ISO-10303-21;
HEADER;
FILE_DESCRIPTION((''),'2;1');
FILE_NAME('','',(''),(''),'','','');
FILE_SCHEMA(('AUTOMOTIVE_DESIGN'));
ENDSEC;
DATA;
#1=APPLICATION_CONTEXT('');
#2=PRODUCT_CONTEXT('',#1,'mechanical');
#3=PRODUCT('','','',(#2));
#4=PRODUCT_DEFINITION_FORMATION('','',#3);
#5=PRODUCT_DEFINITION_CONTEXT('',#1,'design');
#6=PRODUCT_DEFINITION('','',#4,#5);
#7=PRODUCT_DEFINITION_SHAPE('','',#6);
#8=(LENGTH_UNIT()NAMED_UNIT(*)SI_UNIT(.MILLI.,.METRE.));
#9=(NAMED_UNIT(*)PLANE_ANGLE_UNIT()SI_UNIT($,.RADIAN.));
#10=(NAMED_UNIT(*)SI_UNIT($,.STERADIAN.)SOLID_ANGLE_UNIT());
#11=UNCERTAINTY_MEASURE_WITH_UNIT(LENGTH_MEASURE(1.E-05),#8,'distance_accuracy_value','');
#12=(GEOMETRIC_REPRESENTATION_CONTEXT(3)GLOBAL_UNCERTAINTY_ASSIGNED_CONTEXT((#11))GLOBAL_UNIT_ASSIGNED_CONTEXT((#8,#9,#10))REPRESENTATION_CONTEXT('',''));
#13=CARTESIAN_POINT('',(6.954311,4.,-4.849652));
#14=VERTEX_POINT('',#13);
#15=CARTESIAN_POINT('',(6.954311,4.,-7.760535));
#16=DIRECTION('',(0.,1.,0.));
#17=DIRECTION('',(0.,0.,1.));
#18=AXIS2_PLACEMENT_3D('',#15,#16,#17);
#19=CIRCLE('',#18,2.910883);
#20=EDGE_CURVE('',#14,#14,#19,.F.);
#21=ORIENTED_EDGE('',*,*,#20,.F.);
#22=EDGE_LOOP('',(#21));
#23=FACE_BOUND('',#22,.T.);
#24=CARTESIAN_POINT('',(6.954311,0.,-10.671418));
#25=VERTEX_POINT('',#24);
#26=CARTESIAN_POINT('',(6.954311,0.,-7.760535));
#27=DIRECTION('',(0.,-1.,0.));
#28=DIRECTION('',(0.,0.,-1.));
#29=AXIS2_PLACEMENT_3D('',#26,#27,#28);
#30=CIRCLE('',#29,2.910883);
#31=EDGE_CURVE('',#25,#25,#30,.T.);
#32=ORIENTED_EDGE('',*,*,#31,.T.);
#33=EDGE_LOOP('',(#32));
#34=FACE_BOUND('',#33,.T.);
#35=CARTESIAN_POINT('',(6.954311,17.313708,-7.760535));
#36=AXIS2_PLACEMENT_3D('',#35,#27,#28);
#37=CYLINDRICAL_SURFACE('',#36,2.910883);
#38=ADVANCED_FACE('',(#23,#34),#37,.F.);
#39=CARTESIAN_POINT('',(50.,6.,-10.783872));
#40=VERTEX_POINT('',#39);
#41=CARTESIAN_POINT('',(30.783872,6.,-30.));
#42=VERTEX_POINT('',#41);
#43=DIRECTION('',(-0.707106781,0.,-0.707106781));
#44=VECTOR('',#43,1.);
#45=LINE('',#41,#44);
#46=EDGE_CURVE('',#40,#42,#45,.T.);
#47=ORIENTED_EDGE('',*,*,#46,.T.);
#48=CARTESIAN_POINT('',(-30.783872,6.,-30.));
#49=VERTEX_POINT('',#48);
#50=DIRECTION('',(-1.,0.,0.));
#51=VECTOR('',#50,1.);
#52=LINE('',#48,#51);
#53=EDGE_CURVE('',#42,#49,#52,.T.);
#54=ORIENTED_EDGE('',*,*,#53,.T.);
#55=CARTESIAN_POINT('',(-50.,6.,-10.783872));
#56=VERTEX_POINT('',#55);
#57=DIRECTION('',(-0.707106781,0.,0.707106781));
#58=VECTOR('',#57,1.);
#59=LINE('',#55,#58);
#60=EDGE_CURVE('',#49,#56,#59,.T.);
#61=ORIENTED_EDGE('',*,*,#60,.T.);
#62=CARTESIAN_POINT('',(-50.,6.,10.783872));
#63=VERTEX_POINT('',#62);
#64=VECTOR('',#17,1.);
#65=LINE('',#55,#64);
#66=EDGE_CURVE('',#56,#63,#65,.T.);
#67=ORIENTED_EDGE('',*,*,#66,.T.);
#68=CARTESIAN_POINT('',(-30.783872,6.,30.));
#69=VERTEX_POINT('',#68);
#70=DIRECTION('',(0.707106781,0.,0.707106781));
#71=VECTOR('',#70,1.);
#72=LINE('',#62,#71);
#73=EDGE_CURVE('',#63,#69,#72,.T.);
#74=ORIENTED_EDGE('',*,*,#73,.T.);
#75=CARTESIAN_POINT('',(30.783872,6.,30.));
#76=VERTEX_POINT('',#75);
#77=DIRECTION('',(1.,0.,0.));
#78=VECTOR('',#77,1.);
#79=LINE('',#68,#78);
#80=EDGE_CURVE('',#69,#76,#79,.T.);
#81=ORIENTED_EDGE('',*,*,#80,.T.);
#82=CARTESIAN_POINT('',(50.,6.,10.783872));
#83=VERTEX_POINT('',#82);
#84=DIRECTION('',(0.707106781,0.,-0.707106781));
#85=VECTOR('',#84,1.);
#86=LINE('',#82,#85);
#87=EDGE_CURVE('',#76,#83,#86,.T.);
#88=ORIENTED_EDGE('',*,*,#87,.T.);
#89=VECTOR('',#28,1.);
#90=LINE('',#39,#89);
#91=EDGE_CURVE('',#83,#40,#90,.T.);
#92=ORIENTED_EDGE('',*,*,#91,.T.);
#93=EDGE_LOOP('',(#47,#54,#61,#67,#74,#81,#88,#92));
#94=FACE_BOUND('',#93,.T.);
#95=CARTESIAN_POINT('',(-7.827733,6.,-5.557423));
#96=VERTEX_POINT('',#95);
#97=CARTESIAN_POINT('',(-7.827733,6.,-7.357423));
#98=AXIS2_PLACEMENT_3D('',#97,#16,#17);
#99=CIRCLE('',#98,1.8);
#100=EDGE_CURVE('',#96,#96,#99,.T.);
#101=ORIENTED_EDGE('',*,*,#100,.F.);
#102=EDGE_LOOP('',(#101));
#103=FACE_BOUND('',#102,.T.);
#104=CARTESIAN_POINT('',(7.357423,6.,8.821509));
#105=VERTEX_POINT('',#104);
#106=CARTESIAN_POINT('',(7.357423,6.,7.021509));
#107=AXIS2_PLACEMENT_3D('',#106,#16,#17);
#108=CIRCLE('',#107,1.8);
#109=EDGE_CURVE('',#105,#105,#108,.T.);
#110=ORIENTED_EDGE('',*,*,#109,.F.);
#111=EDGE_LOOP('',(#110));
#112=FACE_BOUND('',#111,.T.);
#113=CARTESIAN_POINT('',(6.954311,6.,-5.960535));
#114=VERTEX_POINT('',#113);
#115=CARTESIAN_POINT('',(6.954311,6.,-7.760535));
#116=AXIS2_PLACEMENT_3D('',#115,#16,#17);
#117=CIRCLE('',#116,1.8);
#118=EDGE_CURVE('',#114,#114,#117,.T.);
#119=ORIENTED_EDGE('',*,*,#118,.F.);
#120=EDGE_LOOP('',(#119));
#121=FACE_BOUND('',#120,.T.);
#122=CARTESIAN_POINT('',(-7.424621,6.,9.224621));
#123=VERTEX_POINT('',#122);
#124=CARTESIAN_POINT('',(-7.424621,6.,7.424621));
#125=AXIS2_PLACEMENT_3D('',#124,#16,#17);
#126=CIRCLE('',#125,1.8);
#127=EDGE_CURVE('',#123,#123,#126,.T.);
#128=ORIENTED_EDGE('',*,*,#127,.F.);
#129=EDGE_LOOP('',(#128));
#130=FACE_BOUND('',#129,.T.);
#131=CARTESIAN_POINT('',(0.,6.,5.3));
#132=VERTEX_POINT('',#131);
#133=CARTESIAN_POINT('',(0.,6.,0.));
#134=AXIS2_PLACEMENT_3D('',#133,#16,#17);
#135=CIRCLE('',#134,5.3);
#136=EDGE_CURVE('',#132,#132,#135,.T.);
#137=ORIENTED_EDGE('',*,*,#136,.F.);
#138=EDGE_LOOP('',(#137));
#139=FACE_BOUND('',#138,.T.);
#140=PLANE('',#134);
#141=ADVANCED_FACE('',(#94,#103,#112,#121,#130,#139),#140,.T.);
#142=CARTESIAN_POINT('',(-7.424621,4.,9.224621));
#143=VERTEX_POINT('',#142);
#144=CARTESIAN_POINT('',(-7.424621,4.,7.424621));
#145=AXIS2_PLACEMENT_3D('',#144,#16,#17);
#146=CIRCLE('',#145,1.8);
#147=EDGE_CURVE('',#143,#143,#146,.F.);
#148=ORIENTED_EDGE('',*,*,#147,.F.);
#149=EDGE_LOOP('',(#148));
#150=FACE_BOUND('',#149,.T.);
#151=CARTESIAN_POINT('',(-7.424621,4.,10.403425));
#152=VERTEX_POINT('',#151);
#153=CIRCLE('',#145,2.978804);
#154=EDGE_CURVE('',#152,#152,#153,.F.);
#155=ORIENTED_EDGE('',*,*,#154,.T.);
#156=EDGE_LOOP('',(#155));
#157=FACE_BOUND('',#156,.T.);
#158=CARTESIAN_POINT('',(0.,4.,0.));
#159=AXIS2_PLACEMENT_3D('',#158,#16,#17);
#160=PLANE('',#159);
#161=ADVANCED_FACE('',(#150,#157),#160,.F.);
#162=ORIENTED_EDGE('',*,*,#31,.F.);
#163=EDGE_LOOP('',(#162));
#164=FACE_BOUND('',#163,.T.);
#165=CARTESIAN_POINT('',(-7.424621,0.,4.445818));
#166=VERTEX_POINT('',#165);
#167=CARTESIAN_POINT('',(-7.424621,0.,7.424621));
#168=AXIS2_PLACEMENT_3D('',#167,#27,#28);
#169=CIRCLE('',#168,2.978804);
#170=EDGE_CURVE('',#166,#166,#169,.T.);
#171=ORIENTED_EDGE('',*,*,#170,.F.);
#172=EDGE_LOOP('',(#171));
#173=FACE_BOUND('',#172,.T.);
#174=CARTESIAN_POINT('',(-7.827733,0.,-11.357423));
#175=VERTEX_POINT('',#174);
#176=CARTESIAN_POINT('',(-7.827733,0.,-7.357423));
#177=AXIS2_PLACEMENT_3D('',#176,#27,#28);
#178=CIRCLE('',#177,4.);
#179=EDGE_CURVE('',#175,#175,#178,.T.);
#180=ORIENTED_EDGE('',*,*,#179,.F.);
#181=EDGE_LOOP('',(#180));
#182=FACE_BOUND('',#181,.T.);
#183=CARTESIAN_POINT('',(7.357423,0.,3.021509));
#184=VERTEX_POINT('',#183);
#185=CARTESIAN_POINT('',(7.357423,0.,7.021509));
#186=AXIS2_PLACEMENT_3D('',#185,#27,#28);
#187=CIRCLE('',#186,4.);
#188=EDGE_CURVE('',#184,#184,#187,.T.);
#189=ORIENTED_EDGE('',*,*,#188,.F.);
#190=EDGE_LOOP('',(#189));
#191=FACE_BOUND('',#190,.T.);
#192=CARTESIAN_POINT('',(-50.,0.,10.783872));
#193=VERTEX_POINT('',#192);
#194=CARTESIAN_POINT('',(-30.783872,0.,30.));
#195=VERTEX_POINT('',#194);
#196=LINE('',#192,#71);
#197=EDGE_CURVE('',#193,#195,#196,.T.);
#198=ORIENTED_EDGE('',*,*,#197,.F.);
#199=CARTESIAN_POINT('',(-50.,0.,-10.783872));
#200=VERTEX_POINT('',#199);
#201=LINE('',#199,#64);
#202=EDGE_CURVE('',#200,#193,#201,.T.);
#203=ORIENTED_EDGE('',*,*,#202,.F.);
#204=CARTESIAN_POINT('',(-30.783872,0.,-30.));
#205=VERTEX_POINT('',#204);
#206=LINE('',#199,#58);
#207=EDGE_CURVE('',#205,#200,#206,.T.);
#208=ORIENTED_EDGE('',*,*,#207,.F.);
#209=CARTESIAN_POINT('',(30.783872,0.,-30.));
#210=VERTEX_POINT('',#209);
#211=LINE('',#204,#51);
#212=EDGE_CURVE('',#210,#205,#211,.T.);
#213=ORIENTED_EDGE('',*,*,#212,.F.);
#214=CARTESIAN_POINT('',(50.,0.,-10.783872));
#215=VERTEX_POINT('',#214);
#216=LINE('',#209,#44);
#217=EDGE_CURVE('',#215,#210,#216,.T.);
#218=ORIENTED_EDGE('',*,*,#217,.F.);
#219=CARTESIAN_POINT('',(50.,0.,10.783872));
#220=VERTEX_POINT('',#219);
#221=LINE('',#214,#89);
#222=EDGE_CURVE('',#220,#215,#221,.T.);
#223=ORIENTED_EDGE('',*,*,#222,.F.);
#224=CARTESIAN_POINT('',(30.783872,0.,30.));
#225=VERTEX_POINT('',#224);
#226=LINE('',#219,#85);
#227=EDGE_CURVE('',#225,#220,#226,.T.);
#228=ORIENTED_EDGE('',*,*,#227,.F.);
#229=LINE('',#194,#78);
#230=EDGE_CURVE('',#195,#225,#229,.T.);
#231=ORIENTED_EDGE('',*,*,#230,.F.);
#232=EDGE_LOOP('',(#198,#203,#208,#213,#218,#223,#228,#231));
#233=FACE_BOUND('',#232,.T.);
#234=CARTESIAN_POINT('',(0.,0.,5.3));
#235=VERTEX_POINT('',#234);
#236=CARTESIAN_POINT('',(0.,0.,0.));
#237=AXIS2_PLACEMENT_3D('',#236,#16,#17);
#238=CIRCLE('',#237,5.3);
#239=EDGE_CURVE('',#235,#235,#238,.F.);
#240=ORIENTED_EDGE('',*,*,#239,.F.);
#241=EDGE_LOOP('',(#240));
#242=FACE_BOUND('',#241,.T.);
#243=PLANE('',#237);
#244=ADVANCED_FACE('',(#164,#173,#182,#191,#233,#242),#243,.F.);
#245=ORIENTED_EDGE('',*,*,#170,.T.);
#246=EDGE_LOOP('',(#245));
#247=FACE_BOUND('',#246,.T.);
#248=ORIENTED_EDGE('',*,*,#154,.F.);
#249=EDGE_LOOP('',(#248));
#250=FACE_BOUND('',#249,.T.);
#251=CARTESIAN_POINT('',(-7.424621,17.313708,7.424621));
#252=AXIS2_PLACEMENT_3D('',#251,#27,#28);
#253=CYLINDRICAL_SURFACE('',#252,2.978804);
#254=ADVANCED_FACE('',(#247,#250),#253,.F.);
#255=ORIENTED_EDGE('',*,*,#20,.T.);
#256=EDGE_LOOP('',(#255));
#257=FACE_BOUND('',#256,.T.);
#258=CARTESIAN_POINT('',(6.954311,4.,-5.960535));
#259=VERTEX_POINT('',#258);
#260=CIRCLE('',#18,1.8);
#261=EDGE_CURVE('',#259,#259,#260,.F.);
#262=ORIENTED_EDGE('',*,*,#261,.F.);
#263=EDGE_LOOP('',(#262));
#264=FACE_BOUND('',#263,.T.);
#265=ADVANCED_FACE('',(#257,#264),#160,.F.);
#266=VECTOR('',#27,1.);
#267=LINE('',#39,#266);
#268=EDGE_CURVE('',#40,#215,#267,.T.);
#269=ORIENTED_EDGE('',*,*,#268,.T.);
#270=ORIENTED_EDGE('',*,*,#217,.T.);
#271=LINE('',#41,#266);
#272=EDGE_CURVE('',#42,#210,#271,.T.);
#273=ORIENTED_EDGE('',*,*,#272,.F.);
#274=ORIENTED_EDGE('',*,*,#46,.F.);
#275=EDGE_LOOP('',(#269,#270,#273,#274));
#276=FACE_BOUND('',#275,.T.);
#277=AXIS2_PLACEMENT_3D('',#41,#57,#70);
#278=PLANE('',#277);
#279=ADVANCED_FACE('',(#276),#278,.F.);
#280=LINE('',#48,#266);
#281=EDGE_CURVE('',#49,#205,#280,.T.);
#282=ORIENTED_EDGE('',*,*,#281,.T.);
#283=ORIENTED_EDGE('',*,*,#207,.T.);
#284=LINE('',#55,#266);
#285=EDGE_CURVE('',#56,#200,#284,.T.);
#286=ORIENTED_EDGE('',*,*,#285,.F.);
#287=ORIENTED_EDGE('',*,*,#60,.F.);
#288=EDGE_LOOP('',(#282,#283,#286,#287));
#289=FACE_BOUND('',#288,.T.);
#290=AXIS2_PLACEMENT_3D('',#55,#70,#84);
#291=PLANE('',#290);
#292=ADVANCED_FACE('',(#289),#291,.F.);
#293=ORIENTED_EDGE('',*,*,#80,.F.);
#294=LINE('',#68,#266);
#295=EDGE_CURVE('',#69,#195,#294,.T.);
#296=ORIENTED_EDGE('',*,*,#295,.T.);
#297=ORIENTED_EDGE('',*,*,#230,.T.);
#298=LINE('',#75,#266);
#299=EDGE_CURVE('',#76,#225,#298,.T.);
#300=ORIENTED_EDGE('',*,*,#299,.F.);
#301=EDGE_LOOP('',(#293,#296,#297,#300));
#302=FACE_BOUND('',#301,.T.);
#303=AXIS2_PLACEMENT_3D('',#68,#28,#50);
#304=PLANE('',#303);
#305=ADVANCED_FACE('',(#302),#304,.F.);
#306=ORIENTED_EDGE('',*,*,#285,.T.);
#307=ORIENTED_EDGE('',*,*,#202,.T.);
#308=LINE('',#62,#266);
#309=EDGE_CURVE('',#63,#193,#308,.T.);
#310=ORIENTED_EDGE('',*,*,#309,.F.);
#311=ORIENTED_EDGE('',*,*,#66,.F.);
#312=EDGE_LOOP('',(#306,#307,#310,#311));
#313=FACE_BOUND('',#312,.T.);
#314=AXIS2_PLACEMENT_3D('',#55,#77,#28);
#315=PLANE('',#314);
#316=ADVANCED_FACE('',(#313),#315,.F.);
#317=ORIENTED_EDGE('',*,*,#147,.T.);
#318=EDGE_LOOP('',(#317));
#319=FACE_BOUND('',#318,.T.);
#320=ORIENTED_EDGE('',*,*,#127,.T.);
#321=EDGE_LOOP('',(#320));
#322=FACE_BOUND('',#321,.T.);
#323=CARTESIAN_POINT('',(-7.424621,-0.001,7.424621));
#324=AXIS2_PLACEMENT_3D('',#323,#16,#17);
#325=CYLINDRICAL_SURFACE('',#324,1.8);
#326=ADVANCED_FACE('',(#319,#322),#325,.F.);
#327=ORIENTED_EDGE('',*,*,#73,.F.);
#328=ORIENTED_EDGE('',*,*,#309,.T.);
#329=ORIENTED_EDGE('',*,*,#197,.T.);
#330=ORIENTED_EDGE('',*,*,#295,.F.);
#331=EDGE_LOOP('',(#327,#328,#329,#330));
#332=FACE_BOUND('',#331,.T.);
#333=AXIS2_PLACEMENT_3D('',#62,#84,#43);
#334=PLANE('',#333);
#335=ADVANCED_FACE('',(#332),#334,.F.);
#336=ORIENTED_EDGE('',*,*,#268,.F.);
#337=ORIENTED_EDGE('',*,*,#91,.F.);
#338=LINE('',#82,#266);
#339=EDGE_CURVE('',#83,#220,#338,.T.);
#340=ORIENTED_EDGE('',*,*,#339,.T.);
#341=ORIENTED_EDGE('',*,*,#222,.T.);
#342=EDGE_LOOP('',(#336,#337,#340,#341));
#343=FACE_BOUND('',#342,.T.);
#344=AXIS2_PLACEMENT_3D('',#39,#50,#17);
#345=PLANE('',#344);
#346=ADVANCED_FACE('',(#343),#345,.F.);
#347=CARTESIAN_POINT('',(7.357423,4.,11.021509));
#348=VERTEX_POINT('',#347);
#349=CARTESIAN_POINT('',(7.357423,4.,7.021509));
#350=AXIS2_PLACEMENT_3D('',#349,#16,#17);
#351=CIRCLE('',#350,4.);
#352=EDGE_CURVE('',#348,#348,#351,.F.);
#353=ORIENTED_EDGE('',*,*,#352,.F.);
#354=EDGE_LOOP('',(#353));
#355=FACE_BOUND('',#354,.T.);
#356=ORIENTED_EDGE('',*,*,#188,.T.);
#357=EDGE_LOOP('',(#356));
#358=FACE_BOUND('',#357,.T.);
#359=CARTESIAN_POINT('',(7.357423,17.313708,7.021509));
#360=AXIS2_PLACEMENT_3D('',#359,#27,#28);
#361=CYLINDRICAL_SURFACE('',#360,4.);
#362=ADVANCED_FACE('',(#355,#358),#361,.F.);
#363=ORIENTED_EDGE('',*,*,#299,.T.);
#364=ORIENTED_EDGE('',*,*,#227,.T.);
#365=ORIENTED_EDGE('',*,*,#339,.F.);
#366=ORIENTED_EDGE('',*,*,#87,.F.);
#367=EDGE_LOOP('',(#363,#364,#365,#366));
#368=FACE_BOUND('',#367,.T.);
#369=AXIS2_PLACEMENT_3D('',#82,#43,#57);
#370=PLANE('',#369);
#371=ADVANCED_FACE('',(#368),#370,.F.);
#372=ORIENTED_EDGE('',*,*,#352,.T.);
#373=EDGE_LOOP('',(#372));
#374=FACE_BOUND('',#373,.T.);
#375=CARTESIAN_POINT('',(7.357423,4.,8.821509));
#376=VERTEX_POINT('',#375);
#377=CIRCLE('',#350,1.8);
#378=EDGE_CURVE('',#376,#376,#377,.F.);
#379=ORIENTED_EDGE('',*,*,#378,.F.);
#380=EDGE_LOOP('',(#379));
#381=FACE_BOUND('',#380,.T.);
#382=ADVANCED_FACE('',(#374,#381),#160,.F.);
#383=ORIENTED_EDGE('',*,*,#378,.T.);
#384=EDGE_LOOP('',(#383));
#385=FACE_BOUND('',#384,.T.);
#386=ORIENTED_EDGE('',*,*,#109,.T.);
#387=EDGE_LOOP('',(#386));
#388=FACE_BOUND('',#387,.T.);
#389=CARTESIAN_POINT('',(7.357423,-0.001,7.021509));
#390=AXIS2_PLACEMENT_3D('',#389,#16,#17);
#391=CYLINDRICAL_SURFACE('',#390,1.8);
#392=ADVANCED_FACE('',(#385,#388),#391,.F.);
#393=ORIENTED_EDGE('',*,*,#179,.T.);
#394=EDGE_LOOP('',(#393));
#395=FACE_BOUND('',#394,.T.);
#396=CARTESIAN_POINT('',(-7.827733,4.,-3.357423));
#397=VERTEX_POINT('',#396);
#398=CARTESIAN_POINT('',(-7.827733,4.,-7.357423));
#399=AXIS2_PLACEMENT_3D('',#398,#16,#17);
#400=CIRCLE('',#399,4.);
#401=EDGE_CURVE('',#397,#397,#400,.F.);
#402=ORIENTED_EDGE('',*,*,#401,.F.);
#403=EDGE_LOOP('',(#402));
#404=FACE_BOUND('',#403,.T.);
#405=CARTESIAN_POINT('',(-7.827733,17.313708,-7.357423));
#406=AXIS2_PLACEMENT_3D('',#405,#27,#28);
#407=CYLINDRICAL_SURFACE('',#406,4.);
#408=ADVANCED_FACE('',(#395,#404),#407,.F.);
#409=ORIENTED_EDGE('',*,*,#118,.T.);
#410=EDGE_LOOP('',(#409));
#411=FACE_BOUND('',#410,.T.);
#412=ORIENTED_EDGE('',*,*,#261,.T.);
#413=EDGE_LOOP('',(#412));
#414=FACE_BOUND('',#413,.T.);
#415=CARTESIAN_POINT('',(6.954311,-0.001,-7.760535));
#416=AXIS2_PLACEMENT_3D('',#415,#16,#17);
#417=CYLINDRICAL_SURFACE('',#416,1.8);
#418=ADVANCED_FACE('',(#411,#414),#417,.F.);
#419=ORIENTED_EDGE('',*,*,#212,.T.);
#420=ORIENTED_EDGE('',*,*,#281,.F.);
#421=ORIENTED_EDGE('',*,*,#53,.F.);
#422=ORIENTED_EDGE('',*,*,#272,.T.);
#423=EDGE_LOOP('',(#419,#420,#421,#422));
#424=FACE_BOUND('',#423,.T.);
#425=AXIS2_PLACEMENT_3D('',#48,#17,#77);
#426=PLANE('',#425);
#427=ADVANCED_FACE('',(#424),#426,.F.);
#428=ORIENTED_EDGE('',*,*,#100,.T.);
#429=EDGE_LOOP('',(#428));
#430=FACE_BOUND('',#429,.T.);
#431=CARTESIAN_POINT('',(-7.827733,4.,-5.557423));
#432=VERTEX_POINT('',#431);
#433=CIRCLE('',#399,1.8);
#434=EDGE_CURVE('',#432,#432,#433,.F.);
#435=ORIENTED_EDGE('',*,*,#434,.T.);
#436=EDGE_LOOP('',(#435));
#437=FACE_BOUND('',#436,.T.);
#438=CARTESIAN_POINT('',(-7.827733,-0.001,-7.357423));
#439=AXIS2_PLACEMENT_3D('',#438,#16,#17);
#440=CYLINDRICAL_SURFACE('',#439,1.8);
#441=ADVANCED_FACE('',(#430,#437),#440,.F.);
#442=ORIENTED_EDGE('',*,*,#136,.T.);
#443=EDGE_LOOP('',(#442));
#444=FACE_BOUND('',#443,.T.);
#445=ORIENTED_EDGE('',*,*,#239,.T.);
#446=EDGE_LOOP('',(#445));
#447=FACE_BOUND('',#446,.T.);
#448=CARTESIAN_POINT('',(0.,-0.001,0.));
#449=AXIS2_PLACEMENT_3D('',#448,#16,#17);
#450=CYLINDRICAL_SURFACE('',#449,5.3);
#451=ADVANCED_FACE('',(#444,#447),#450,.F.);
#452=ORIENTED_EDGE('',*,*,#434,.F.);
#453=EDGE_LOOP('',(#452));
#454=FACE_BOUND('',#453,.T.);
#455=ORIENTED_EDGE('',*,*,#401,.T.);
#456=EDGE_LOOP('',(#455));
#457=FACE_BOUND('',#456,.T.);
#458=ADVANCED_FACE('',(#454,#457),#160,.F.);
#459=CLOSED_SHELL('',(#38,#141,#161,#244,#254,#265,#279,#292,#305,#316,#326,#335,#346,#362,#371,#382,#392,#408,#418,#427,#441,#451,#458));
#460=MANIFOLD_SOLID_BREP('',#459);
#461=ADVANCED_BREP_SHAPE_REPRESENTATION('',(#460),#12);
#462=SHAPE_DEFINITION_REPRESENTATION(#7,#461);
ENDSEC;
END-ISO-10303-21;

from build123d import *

# Parameters (mm, degrees)
SALIENTE_EXTRUIR1_DEPTH = 6
CORTAR_EXTRUIR1_REACH   = 8
CROQUIS2_R              = 5.3
CROQUIS2_R_2            = 1.8
CROQUIS3_R              = 4
CROQUIS3_R_2            = 2.910883151
CROQUIS3_R_3            = 2.97880362
CORTAR_EXTRUIR2_DEPTH   = 4


with BuildPart() as part:
    # Croquis1 → Saliente-Extruir1 (new body)
    with BuildSketch(Plane(origin=(0, 0, 0), x_dir=(1, 0, 0), z_dir=(0, 1, 0))):
        Polygon((-50, 10.783872382), (-30.783872382, 30), (30.783872382, 30), (50, 10.783872382), (50, -10.783872382), (30.783872382, -30), (-30.783872382, -30), (-50, -10.783872382), align=None)
    extrude(amount=SALIENTE_EXTRUIR1_DEPTH)

    # Croquis2 → Cortar-Extruir1 (cut, up to next)
    with BuildSketch(Plane(origin=(0, 6, 0), x_dir=(1, 0, 0), z_dir=(0, 1, 0)), mode=Mode.PRIVATE) as cortar_extruir1_sk1:
        Circle(CROQUIS2_R)
    cortar_extruir1_tool1 = extrude(cortar_extruir1_sk1.sketch, amount=-CORTAR_EXTRUIR1_REACH, mode=Mode.PRIVATE) & part.part
    add(cortar_extruir1_tool1.solids().sort_by_distance((0, 6, 0))[0], mode=Mode.SUBTRACT)
    # Croquis2 → Cortar-Extruir1 (cut, up to next)
    with BuildSketch(Plane(origin=(0, 6, 0), x_dir=(1, 0, 0), z_dir=(0, 1, 0)), mode=Mode.PRIVATE) as cortar_extruir1_sk2:
        with Locations((-7.424621202, -7.424621202)):
            Circle(CROQUIS2_R_2)
    cortar_extruir1_tool2 = extrude(cortar_extruir1_sk2.sketch, amount=-CORTAR_EXTRUIR1_REACH, mode=Mode.PRIVATE) & part.part
    add(cortar_extruir1_tool2.solids().sort_by_distance((-7.424621, 6, 7.424621))[0], mode=Mode.SUBTRACT)
    # Croquis2 → Cortar-Extruir1 (cut, up to next)
    with BuildSketch(Plane(origin=(0, 6, 0), x_dir=(1, 0, 0), z_dir=(0, 1, 0)), mode=Mode.PRIVATE) as cortar_extruir1_sk3:
        with Locations((-7.827733398, 7.357422898)):
            Circle(CROQUIS2_R_2)
    cortar_extruir1_tool3 = extrude(cortar_extruir1_sk3.sketch, amount=-CORTAR_EXTRUIR1_REACH, mode=Mode.PRIVATE) & part.part
    add(cortar_extruir1_tool3.solids().sort_by_distance((-7.827733, 6, -7.357423))[0], mode=Mode.SUBTRACT)
    # Croquis2 → Cortar-Extruir1 (cut, up to next)
    with BuildSketch(Plane(origin=(0, 6, 0), x_dir=(1, 0, 0), z_dir=(0, 1, 0)), mode=Mode.PRIVATE) as cortar_extruir1_sk4:
        with Locations((6.954310702, 7.760535094)):
            Circle(CROQUIS2_R_2)
    cortar_extruir1_tool4 = extrude(cortar_extruir1_sk4.sketch, amount=-CORTAR_EXTRUIR1_REACH, mode=Mode.PRIVATE) & part.part
    add(cortar_extruir1_tool4.solids().sort_by_distance((6.954311, 6, -7.760535))[0], mode=Mode.SUBTRACT)
    # Croquis2 → Cortar-Extruir1 (cut, up to next)
    with BuildSketch(Plane(origin=(0, 6, 0), x_dir=(1, 0, 0), z_dir=(0, 1, 0)), mode=Mode.PRIVATE) as cortar_extruir1_sk5:
        with Locations((7.357422898, -7.021509007)):
            Circle(CROQUIS2_R_2)
    cortar_extruir1_tool5 = extrude(cortar_extruir1_sk5.sketch, amount=-CORTAR_EXTRUIR1_REACH, mode=Mode.PRIVATE) & part.part
    add(cortar_extruir1_tool5.solids().sort_by_distance((7.357423, 6, 7.021509))[0], mode=Mode.SUBTRACT)

    # Croquis3 → Cortar-Extruir2 (cut)
    with BuildSketch(Plane.XZ):
        with Locations((7.357422898, 7.021509007)):
            Circle(CROQUIS3_R)
        with Locations((6.954310702, -7.760535094)):
            Circle(CROQUIS3_R_2)
        with Locations((-7.424621202, 7.424621202)):
            Circle(CROQUIS3_R_3)
        with Locations((-7.827733398, -7.357422898)):
            Circle(CROQUIS3_R)
    extrude(amount=-CORTAR_EXTRUIR2_DEPTH, mode=Mode.SUBTRACT)


solid = part.part
